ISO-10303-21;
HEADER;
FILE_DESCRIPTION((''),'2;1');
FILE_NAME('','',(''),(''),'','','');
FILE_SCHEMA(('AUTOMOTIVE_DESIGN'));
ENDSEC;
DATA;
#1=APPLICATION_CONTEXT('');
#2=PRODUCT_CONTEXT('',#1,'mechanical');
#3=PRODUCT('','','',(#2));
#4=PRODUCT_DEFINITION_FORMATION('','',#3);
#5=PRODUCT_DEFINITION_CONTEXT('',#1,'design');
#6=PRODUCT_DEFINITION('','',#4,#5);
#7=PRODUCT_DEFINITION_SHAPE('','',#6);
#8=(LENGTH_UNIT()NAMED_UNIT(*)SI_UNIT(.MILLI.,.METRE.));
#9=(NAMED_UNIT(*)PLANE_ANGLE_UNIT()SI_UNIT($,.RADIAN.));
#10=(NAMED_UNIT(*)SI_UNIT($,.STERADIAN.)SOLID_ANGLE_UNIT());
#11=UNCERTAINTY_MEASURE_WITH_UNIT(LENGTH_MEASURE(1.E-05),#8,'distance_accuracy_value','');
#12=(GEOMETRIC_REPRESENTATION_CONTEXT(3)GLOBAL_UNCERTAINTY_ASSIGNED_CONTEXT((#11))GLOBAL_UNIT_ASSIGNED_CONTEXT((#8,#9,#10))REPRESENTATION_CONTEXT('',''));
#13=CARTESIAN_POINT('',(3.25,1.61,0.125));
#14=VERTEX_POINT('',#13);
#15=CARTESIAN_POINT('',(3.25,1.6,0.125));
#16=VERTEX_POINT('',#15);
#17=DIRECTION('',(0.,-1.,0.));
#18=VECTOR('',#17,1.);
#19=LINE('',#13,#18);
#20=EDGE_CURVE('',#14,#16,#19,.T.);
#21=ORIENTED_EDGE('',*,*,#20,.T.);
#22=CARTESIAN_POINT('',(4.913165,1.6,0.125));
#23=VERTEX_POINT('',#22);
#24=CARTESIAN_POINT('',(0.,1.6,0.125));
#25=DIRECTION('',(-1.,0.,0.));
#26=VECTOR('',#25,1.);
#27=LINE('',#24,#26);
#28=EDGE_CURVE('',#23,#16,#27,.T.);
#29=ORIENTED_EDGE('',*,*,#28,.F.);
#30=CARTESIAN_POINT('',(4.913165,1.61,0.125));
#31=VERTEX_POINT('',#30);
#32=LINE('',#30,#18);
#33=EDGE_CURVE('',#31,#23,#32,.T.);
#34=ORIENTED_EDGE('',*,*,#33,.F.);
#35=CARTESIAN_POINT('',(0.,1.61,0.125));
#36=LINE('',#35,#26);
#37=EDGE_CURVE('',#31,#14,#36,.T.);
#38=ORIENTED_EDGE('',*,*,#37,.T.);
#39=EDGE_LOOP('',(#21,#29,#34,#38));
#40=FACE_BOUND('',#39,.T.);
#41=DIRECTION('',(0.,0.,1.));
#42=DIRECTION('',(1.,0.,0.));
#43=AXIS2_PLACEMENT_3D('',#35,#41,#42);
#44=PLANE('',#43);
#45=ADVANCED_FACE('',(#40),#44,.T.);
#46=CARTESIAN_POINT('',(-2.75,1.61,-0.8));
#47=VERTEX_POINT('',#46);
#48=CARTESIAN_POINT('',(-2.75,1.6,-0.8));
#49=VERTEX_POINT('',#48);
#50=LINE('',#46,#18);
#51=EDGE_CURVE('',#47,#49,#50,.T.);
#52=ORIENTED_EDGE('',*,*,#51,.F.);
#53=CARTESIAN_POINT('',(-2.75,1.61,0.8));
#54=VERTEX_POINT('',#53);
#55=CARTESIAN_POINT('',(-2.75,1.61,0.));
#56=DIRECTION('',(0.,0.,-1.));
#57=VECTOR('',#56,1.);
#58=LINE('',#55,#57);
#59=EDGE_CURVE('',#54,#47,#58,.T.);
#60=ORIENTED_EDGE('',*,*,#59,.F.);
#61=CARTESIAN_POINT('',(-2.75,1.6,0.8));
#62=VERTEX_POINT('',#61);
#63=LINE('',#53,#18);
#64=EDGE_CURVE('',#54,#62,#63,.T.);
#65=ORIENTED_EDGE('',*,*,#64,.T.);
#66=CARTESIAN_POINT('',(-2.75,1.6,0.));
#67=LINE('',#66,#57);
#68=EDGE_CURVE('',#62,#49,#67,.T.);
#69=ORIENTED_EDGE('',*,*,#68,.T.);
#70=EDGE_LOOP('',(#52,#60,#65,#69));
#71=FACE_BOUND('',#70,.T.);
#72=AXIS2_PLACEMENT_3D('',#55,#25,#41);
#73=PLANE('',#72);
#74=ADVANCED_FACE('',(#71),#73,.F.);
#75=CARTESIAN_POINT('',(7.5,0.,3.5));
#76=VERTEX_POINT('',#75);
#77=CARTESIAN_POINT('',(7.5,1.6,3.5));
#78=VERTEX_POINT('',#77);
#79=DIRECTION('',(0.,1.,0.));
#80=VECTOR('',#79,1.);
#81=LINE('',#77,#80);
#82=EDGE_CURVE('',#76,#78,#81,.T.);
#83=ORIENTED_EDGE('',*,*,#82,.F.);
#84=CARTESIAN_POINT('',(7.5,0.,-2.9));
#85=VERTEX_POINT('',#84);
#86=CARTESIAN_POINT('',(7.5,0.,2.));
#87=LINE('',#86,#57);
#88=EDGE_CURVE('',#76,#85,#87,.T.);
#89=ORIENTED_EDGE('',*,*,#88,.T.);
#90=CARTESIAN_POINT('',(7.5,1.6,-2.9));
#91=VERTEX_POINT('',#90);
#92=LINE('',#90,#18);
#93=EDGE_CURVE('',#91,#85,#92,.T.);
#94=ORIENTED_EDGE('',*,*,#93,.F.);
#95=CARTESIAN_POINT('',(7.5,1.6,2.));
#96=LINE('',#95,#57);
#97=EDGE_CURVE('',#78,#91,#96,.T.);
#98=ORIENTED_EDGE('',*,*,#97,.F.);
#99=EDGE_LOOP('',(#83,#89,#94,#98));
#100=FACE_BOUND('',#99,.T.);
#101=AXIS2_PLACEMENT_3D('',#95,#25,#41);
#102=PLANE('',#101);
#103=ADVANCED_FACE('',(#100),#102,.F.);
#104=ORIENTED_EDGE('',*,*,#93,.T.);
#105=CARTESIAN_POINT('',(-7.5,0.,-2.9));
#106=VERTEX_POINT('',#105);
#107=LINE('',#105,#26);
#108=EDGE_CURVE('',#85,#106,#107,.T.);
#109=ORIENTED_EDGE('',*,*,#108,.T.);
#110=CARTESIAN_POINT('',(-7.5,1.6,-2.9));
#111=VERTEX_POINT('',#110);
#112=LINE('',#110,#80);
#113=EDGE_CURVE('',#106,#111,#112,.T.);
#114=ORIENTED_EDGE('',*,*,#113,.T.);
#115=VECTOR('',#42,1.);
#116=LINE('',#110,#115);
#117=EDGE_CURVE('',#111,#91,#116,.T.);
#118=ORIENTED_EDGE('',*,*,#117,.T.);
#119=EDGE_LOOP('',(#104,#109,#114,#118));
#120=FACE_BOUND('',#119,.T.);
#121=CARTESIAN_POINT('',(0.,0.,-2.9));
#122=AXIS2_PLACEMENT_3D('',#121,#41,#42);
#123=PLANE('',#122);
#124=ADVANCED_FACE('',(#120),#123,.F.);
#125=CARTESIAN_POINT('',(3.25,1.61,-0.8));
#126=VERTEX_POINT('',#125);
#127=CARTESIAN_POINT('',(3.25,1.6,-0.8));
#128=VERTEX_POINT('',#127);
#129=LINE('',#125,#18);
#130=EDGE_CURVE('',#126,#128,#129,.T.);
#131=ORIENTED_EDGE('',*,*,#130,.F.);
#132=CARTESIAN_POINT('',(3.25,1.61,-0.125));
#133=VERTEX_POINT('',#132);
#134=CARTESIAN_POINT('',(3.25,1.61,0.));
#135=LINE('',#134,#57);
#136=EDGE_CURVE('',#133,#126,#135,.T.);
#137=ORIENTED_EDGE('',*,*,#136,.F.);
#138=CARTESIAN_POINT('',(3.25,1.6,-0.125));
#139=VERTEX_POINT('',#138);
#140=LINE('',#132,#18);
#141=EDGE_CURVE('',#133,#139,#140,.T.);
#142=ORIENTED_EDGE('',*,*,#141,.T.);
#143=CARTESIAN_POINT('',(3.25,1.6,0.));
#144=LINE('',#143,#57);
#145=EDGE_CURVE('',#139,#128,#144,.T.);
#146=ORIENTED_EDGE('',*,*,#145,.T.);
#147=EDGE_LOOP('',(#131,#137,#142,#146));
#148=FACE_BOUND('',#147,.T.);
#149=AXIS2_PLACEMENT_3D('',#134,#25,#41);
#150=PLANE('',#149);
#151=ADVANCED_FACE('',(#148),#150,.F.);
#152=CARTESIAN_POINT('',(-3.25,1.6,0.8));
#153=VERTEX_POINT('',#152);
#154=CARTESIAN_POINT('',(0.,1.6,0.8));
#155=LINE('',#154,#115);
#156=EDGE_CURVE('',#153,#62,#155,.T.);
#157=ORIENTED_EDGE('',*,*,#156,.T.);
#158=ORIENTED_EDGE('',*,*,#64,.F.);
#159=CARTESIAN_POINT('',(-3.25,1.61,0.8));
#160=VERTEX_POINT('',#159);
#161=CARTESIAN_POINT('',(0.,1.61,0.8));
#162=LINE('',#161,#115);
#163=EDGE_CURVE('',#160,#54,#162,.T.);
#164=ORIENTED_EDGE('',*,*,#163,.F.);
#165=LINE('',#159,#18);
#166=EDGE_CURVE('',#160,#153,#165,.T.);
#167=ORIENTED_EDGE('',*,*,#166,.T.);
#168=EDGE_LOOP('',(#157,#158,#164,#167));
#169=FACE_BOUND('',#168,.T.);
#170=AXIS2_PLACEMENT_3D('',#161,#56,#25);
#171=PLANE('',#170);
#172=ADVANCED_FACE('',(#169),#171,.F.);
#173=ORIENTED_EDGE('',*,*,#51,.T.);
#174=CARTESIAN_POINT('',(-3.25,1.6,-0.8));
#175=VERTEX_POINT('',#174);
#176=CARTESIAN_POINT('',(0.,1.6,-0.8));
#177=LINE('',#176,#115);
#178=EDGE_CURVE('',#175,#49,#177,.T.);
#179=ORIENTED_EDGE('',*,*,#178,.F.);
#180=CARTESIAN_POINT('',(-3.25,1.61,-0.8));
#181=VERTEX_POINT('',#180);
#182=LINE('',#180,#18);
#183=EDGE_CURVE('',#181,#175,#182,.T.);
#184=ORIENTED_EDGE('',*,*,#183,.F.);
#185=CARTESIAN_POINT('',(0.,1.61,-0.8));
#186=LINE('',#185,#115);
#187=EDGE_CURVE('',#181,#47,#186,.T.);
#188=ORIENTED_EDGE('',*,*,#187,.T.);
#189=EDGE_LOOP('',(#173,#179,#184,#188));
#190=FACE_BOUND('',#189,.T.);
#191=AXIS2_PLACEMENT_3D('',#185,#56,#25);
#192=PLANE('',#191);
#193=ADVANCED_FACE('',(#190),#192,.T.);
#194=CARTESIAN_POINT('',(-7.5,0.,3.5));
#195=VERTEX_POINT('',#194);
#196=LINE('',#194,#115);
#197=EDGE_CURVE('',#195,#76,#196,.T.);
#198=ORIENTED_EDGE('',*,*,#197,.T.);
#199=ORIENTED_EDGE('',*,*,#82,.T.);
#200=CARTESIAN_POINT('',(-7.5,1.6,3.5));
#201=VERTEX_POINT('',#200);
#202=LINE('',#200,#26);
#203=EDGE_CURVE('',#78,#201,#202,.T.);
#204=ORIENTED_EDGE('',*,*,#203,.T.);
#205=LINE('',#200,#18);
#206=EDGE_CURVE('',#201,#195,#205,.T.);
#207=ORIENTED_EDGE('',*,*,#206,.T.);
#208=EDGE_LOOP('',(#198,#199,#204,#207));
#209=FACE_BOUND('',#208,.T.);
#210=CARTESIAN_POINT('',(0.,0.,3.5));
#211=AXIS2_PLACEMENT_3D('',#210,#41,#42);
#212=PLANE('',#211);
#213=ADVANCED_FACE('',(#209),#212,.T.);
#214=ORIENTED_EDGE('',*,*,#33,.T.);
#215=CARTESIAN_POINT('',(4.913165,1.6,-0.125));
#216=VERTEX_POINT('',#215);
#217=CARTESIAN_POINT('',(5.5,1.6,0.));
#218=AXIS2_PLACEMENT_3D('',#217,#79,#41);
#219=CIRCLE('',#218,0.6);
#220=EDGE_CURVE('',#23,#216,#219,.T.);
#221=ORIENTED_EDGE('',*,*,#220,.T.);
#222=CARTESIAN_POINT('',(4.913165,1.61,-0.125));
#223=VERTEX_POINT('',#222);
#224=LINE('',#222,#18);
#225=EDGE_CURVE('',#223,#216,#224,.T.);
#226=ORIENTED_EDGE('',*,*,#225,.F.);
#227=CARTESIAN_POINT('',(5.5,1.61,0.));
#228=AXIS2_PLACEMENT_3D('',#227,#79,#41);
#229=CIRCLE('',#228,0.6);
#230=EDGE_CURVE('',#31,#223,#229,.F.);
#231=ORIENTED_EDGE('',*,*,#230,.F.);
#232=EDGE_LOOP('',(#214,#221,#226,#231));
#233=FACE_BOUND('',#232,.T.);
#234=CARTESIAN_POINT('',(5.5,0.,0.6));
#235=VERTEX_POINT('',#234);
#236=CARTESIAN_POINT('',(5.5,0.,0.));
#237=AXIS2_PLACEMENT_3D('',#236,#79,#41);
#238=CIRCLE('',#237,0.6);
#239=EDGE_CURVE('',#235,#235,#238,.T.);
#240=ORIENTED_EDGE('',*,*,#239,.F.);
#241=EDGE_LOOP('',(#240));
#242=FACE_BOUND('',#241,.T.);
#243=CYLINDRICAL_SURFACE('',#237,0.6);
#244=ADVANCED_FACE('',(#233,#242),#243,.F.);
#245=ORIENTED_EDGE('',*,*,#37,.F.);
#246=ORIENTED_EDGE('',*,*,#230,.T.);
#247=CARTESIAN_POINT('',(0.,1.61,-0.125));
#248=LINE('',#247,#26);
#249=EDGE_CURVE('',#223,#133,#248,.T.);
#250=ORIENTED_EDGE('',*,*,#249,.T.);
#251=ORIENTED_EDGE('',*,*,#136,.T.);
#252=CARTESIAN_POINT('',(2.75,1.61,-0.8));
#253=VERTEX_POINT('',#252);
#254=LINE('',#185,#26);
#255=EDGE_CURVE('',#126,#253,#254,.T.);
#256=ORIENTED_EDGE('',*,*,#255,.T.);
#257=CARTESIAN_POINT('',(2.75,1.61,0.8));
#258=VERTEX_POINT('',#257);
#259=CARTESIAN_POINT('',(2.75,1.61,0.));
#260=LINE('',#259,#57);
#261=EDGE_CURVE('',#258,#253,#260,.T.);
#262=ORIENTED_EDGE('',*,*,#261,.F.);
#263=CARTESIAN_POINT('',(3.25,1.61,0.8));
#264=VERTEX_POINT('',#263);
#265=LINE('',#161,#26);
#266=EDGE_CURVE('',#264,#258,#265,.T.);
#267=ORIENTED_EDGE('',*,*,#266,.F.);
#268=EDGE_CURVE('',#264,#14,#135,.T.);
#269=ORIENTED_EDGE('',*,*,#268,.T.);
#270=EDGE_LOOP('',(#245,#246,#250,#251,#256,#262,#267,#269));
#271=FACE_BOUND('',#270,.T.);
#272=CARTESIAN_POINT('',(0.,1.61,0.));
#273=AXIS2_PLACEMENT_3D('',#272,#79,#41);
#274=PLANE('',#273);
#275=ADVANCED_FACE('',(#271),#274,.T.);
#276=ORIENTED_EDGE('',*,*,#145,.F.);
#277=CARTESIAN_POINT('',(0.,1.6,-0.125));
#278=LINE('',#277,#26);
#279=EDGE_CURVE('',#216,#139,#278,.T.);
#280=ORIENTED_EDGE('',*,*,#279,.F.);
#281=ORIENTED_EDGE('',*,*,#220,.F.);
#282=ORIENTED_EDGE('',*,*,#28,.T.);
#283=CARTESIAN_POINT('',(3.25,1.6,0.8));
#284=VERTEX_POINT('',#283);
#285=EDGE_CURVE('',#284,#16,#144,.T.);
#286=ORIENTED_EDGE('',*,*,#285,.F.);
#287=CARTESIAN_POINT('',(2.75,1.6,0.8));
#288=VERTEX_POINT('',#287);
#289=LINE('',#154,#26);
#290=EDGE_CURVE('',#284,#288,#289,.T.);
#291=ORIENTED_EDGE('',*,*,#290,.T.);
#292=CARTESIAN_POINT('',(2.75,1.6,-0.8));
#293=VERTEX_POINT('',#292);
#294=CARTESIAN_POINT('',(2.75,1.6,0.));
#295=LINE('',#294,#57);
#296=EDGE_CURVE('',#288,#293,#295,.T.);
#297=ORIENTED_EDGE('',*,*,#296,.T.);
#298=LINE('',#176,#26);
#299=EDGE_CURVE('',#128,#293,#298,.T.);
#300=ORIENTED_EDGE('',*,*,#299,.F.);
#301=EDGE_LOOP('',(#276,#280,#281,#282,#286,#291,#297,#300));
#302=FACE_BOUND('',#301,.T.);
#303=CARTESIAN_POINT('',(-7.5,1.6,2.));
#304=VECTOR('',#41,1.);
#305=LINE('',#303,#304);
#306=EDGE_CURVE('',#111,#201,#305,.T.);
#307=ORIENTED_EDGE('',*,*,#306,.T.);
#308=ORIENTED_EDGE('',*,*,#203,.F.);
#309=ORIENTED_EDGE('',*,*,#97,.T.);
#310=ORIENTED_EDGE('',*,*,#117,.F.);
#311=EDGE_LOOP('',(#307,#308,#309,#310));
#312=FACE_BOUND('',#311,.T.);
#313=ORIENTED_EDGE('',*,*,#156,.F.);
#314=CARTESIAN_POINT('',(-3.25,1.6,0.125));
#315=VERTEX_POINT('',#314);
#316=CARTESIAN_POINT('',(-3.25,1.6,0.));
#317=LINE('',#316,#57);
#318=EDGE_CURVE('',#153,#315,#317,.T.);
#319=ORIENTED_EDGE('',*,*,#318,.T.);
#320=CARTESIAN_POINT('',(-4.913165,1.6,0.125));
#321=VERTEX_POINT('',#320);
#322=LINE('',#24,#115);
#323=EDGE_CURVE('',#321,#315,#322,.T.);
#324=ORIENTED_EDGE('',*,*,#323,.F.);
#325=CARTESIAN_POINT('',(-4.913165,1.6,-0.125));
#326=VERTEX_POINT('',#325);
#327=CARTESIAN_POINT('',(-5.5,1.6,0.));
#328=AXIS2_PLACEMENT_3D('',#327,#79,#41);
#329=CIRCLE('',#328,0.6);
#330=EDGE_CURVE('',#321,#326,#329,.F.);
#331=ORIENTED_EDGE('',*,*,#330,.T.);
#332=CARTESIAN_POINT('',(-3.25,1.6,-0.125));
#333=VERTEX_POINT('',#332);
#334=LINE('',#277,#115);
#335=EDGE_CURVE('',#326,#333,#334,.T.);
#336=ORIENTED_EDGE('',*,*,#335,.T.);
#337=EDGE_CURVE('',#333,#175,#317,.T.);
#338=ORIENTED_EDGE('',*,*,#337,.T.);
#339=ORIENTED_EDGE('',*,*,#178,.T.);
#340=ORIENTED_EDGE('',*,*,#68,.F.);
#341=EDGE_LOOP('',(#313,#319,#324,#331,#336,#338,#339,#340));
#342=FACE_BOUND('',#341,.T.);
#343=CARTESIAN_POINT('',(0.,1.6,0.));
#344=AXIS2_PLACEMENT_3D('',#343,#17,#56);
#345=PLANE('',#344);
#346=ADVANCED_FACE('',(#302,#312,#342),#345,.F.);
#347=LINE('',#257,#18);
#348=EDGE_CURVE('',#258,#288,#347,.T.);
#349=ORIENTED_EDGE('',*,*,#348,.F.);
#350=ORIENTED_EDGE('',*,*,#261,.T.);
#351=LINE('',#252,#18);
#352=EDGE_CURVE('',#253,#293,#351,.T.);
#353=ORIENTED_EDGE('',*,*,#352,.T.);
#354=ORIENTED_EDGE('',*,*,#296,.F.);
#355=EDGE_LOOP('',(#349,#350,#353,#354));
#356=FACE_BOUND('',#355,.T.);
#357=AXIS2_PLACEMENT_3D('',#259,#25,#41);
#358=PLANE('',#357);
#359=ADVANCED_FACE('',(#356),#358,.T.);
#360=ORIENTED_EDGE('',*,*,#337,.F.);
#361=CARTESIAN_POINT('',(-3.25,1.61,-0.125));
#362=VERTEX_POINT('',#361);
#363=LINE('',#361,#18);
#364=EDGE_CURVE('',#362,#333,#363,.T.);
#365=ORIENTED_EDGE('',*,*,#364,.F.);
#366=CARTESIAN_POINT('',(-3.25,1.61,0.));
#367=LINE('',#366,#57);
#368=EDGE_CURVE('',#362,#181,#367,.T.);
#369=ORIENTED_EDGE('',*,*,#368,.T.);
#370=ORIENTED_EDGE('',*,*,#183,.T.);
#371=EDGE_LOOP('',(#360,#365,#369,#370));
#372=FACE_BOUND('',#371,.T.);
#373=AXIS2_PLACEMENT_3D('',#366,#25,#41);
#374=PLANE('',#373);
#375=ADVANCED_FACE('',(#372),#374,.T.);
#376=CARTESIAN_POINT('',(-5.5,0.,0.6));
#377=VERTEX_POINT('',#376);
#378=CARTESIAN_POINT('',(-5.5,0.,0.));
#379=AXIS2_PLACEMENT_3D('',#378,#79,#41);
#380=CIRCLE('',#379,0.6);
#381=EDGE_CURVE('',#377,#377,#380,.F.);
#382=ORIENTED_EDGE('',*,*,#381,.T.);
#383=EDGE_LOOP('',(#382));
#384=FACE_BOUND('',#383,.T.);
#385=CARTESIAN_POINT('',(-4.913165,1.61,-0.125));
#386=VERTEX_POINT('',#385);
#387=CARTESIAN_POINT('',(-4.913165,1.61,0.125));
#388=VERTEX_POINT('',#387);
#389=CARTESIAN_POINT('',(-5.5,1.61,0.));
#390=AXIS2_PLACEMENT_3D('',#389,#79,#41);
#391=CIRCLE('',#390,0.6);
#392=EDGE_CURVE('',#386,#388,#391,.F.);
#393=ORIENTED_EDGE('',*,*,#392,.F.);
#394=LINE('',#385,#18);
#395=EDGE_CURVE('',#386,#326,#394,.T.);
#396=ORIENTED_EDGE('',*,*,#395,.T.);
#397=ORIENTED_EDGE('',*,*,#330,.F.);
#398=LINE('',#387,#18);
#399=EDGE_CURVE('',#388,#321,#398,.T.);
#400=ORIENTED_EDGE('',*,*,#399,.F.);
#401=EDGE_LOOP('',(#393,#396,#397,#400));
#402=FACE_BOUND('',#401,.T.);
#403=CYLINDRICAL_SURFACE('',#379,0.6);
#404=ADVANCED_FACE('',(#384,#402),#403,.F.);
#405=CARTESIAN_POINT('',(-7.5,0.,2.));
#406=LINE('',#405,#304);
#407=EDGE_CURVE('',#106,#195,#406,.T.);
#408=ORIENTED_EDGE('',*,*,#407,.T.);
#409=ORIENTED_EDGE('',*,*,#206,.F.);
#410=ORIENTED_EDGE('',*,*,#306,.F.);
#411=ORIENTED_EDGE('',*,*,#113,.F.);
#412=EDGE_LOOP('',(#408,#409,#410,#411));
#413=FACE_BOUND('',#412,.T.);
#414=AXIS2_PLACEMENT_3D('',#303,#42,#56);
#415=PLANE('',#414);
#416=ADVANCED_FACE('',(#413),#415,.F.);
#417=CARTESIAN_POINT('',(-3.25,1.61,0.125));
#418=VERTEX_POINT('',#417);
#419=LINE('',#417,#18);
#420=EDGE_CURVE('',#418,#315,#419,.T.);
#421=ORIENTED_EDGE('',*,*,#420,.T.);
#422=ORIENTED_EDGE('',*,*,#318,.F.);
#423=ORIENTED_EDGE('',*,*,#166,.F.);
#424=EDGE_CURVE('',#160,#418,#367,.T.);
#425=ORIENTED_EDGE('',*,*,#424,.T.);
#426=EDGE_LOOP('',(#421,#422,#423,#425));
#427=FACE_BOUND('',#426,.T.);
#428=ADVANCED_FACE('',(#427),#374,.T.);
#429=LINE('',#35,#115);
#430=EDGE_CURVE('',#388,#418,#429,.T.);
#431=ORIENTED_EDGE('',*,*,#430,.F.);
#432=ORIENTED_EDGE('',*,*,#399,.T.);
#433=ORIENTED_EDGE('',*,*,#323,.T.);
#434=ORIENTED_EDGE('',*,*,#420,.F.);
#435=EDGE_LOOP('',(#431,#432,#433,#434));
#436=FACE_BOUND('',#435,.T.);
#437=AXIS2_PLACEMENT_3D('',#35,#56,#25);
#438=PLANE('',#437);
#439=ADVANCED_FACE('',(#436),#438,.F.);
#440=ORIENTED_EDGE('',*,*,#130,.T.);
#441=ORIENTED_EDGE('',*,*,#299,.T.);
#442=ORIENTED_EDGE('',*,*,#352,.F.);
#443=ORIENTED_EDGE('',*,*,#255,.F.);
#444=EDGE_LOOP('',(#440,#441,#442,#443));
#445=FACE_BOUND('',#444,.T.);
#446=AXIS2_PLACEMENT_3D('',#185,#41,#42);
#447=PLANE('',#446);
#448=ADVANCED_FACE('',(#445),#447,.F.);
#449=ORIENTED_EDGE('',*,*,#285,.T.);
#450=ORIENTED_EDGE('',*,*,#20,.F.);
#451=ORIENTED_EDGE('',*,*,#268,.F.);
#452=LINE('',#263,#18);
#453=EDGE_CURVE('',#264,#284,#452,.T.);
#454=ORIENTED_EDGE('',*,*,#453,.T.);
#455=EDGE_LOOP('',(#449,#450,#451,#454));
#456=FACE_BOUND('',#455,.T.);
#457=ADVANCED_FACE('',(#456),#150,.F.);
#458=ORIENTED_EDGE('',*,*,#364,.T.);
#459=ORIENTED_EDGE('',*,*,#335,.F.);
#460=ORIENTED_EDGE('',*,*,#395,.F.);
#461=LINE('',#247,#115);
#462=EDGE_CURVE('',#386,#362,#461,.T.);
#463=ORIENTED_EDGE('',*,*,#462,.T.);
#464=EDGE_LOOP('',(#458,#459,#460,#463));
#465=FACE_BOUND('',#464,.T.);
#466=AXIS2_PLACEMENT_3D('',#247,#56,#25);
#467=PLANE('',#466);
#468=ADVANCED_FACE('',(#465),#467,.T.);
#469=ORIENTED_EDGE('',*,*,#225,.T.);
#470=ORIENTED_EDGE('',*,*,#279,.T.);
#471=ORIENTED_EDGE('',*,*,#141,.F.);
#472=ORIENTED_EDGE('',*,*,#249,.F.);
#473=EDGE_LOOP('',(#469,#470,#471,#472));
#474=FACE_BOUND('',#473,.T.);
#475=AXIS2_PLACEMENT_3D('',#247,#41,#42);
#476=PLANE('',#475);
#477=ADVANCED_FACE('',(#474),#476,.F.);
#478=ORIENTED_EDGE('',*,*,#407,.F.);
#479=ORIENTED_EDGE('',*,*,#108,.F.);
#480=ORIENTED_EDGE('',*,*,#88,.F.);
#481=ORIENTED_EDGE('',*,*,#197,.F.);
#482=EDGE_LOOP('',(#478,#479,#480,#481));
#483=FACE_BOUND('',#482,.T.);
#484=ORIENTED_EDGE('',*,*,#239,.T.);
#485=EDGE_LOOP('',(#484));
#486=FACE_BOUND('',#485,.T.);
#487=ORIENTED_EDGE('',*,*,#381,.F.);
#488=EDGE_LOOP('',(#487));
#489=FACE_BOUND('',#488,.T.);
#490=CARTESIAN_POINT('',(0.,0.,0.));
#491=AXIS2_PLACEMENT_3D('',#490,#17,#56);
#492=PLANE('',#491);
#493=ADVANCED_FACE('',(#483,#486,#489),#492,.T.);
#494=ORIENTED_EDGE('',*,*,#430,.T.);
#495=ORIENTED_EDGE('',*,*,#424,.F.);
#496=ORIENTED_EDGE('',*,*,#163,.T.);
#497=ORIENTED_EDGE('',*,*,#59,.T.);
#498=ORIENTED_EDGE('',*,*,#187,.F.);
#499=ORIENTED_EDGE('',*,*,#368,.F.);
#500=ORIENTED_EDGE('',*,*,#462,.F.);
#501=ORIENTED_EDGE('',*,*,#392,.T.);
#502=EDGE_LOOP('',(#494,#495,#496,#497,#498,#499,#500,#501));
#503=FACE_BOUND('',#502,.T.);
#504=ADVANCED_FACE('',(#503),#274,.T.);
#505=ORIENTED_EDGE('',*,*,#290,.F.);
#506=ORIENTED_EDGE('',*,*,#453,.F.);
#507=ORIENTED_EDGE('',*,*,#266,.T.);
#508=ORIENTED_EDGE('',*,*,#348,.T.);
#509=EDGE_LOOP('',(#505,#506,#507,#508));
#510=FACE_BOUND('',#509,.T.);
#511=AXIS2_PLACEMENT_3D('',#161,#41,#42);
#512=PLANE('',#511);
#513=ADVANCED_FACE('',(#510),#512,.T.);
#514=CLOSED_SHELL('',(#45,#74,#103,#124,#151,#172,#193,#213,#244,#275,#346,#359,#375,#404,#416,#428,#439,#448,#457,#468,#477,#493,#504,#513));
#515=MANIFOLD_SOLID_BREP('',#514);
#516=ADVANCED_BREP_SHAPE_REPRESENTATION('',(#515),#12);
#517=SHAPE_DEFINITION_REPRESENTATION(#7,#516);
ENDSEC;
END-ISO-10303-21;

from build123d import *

# Parameters (mm, degrees)
SKETCH1_W           = 15
SKETCH1_H           = 4
BOSS_EXTRUDE1_DEPTH = 1.6
SKETCH3_R           = 0.6
CUT_EXTRUDE1_DEPTH  = 1.6
SKETCH2_W           = 0.5
SKETCH2_H           = 1.6
BOSS_EXTRUDE2_DEPTH = 0.01
BOSS_EXTRUDE3_DEPTH = 0.01
SKETCH5_W           = 15
SKETCH5_H           = 1.6
BOSS_EXTRUDE4_DEPTH = 1.5
SKETCH6_W           = 15
SKETCH6_H           = 1.6
BOSS_EXTRUDE5_DEPTH = 0.9


with BuildPart() as part:
    # Sketch1 → Boss-Extrude1 (new body)
    with BuildSketch(Plane(origin=(0, 0, 0), x_dir=(1, 0, 0), z_dir=(0, 1, 0))):
        Rectangle(SKETCH1_W, SKETCH1_H)
    extrude(amount=BOSS_EXTRUDE1_DEPTH)

    # Sketch3 → Cut-Extrude1 (cut)
    with BuildSketch(Plane(origin=(0, 1.6, 0), x_dir=(1, 0, 0), z_dir=(0, 1, 0))):
        with Locations((5.5, 0)):
            Circle(SKETCH3_R)
        with Locations((-5.5, 0)):
            Circle(SKETCH3_R)
    extrude(amount=-CUT_EXTRUDE1_DEPTH, mode=Mode.SUBTRACT)

    # Sketch2 → Boss-Extrude2 (add)
    with BuildSketch(Plane(origin=(0, 1.6, 0), x_dir=(1, 0, 0), z_dir=(0, 1, 0))):
        with Locations((-3, 0)):
            Rectangle(SKETCH2_W, SKETCH2_H)
        with Locations((3, 0)):
            Rectangle(SKETCH2_W, SKETCH2_H)
    extrude(amount=BOSS_EXTRUDE2_DEPTH)

    # Sketch4 → Boss-Extrude3 (add)
    with BuildSketch(Plane(origin=(0, 1.6, 0), x_dir=(1, 0, 0), z_dir=(0, 1, 0))):
        with BuildLine():
            Line((3.25, -0.125), (4.913165, -0.125))
            ThreePointArc((4.913165, -0.125), (4.9, 0), (4.913165, 0.125))
            Line((4.913165, 0.125), (3.25, 0.125))
            Line((3.25, 0.125), (3.25, -0.125))
        make_face()
        with BuildLine():
            Line((-3.25, 0.125), (-4.913165, 0.125))
            ThreePointArc((-4.913165, 0.125), (-4.9033, 0.062846), (-4.9, 0))
            ThreePointArc((-4.9, 0), (-4.9033, -0.062846), (-4.913165, -0.125))
            Line((-4.913165, -0.125), (-3.25, -0.125))
            Line((-3.25, -0.125), (-3.25, 0.125))
        make_face()
    extrude(amount=BOSS_EXTRUDE3_DEPTH)

    # Sketch5 → Boss-Extrude4 (add)
    with BuildSketch(Plane.XY.offset(2)):
        with Locations((0, 0.8)):
            Rectangle(SKETCH5_W, SKETCH5_H)
    extrude(amount=BOSS_EXTRUDE4_DEPTH)

    # Sketch6 → Boss-Extrude5 (add)
    with BuildSketch(Plane(origin=(0, 0, -2), x_dir=(-1, 0, 0), z_dir=(0, 0, -1))):
        with Locations((0, 0.8)):
            Rectangle(SKETCH6_W, SKETCH6_H)
    extrude(amount=BOSS_EXTRUDE5_DEPTH)


solid = part.part
